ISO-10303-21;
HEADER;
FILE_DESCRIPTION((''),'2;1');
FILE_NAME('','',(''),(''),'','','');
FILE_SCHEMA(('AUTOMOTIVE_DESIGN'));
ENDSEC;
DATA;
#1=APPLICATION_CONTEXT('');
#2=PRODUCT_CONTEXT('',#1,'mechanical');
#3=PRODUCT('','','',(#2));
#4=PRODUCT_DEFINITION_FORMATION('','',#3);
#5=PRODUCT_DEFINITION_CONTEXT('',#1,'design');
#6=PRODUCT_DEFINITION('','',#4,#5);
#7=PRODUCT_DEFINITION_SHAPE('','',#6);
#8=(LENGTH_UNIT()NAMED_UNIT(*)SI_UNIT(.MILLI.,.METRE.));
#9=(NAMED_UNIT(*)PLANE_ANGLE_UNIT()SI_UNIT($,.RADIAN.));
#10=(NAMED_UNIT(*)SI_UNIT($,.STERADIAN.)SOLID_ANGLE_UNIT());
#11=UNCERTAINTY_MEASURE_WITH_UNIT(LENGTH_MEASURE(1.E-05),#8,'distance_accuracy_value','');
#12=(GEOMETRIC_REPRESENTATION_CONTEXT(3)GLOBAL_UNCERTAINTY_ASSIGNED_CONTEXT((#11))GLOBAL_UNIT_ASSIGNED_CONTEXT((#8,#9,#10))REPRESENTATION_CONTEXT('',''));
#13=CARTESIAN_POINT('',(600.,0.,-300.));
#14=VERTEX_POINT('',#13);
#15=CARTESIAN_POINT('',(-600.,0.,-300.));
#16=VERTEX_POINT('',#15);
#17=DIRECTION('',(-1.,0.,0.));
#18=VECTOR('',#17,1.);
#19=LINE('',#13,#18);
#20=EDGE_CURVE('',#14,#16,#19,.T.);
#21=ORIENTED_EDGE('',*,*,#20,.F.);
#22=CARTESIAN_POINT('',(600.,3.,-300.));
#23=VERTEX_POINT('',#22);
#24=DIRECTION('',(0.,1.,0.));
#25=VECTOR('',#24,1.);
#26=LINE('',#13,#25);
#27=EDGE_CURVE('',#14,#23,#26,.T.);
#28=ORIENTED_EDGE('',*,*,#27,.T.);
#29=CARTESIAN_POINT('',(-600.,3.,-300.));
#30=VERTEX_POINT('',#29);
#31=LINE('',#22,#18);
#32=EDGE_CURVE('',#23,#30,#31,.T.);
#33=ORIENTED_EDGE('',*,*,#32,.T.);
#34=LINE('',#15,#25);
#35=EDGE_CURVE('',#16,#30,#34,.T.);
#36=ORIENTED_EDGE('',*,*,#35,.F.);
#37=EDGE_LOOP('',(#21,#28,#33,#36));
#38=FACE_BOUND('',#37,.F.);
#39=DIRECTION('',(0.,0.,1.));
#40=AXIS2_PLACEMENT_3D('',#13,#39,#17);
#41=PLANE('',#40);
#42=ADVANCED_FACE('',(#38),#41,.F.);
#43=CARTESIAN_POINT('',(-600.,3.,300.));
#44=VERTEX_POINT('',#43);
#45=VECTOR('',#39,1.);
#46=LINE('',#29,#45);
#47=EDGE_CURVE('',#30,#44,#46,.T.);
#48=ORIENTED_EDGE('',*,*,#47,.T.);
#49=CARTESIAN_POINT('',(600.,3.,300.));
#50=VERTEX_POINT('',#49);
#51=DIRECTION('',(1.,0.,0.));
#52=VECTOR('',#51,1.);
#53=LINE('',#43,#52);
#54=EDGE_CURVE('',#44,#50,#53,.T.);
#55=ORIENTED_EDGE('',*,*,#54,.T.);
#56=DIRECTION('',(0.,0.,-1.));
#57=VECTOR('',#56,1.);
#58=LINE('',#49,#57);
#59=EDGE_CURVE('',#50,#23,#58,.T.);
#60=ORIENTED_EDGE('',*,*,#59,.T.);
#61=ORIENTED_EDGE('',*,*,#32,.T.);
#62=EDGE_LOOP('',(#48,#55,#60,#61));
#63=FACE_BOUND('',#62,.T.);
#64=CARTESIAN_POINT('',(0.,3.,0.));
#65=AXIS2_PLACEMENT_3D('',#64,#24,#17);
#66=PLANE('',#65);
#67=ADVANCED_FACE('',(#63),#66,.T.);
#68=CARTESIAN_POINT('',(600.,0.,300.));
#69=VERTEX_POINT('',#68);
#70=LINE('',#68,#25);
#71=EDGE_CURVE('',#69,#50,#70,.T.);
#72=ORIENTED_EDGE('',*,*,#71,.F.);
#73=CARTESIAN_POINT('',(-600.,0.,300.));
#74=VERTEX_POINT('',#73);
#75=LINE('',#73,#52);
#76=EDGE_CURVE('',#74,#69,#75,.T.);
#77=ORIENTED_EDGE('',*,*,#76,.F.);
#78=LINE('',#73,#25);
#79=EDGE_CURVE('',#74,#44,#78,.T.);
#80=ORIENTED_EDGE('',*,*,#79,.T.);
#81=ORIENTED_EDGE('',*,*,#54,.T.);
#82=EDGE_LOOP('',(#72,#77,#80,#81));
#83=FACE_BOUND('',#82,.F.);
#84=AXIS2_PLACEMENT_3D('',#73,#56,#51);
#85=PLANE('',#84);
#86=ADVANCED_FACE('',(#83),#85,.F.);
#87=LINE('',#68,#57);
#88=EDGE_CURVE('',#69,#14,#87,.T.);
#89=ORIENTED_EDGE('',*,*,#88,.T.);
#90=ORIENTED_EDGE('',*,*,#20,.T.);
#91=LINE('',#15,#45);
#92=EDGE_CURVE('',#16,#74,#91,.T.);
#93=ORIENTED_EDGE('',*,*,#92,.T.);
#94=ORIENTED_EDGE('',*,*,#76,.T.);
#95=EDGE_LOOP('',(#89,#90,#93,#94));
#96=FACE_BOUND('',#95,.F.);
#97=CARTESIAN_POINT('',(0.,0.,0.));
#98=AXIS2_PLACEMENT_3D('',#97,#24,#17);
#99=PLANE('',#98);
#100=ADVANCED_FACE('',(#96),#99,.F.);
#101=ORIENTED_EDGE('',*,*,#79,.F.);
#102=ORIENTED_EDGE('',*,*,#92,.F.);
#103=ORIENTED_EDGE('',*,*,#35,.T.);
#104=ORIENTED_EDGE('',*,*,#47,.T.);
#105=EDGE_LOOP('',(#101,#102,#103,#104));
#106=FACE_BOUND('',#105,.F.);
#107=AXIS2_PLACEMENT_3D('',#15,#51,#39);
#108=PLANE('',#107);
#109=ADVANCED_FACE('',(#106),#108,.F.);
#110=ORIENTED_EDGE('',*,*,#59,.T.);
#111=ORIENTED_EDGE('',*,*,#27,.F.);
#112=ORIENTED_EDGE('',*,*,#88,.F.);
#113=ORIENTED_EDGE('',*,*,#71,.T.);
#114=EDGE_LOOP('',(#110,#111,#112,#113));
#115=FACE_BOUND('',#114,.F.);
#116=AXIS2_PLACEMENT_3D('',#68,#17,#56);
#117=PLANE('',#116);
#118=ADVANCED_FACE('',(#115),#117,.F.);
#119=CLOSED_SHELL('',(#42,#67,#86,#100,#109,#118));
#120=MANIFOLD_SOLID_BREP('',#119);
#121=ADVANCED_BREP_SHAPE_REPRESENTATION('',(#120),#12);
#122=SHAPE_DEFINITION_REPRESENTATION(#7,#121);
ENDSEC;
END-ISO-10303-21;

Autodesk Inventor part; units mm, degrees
ref_plane "YZ Plane" through (0, 0, 0) normal (1, 0, 0) x (0, 1, 0)
ref_plane "XZ Plane" through (0, 0, 0) normal (0, 1, 0) x (-1, 0, 0)
ref_plane "XY Plane" through (0, 0, 0) normal (0, 0, 1) x (1, 0, 0)
sketch "Boceto1" plane through (0, 0, 0) normal (0, 1, 0) x (-1, 0, 0)
  line L0 (-600, -300) -> (600, -300)
  line L1 (600, -300) -> (600, 300)
  line L2 (600, 300) -> (-600, 300)
  line L3 (-600, 300) -> (-600, -300)
  line L4 (-600, -300) -> (600, 300) construction
  line L5 (600, -300) -> (-600, 300) construction
  point P0 (0, 0)
  dimension "d0" = 1200
  dimension "d1" = 600
extrude "Extrusión1" add sketch "Boceto1" along normal blind 3
properties part number "TableroMadera"
